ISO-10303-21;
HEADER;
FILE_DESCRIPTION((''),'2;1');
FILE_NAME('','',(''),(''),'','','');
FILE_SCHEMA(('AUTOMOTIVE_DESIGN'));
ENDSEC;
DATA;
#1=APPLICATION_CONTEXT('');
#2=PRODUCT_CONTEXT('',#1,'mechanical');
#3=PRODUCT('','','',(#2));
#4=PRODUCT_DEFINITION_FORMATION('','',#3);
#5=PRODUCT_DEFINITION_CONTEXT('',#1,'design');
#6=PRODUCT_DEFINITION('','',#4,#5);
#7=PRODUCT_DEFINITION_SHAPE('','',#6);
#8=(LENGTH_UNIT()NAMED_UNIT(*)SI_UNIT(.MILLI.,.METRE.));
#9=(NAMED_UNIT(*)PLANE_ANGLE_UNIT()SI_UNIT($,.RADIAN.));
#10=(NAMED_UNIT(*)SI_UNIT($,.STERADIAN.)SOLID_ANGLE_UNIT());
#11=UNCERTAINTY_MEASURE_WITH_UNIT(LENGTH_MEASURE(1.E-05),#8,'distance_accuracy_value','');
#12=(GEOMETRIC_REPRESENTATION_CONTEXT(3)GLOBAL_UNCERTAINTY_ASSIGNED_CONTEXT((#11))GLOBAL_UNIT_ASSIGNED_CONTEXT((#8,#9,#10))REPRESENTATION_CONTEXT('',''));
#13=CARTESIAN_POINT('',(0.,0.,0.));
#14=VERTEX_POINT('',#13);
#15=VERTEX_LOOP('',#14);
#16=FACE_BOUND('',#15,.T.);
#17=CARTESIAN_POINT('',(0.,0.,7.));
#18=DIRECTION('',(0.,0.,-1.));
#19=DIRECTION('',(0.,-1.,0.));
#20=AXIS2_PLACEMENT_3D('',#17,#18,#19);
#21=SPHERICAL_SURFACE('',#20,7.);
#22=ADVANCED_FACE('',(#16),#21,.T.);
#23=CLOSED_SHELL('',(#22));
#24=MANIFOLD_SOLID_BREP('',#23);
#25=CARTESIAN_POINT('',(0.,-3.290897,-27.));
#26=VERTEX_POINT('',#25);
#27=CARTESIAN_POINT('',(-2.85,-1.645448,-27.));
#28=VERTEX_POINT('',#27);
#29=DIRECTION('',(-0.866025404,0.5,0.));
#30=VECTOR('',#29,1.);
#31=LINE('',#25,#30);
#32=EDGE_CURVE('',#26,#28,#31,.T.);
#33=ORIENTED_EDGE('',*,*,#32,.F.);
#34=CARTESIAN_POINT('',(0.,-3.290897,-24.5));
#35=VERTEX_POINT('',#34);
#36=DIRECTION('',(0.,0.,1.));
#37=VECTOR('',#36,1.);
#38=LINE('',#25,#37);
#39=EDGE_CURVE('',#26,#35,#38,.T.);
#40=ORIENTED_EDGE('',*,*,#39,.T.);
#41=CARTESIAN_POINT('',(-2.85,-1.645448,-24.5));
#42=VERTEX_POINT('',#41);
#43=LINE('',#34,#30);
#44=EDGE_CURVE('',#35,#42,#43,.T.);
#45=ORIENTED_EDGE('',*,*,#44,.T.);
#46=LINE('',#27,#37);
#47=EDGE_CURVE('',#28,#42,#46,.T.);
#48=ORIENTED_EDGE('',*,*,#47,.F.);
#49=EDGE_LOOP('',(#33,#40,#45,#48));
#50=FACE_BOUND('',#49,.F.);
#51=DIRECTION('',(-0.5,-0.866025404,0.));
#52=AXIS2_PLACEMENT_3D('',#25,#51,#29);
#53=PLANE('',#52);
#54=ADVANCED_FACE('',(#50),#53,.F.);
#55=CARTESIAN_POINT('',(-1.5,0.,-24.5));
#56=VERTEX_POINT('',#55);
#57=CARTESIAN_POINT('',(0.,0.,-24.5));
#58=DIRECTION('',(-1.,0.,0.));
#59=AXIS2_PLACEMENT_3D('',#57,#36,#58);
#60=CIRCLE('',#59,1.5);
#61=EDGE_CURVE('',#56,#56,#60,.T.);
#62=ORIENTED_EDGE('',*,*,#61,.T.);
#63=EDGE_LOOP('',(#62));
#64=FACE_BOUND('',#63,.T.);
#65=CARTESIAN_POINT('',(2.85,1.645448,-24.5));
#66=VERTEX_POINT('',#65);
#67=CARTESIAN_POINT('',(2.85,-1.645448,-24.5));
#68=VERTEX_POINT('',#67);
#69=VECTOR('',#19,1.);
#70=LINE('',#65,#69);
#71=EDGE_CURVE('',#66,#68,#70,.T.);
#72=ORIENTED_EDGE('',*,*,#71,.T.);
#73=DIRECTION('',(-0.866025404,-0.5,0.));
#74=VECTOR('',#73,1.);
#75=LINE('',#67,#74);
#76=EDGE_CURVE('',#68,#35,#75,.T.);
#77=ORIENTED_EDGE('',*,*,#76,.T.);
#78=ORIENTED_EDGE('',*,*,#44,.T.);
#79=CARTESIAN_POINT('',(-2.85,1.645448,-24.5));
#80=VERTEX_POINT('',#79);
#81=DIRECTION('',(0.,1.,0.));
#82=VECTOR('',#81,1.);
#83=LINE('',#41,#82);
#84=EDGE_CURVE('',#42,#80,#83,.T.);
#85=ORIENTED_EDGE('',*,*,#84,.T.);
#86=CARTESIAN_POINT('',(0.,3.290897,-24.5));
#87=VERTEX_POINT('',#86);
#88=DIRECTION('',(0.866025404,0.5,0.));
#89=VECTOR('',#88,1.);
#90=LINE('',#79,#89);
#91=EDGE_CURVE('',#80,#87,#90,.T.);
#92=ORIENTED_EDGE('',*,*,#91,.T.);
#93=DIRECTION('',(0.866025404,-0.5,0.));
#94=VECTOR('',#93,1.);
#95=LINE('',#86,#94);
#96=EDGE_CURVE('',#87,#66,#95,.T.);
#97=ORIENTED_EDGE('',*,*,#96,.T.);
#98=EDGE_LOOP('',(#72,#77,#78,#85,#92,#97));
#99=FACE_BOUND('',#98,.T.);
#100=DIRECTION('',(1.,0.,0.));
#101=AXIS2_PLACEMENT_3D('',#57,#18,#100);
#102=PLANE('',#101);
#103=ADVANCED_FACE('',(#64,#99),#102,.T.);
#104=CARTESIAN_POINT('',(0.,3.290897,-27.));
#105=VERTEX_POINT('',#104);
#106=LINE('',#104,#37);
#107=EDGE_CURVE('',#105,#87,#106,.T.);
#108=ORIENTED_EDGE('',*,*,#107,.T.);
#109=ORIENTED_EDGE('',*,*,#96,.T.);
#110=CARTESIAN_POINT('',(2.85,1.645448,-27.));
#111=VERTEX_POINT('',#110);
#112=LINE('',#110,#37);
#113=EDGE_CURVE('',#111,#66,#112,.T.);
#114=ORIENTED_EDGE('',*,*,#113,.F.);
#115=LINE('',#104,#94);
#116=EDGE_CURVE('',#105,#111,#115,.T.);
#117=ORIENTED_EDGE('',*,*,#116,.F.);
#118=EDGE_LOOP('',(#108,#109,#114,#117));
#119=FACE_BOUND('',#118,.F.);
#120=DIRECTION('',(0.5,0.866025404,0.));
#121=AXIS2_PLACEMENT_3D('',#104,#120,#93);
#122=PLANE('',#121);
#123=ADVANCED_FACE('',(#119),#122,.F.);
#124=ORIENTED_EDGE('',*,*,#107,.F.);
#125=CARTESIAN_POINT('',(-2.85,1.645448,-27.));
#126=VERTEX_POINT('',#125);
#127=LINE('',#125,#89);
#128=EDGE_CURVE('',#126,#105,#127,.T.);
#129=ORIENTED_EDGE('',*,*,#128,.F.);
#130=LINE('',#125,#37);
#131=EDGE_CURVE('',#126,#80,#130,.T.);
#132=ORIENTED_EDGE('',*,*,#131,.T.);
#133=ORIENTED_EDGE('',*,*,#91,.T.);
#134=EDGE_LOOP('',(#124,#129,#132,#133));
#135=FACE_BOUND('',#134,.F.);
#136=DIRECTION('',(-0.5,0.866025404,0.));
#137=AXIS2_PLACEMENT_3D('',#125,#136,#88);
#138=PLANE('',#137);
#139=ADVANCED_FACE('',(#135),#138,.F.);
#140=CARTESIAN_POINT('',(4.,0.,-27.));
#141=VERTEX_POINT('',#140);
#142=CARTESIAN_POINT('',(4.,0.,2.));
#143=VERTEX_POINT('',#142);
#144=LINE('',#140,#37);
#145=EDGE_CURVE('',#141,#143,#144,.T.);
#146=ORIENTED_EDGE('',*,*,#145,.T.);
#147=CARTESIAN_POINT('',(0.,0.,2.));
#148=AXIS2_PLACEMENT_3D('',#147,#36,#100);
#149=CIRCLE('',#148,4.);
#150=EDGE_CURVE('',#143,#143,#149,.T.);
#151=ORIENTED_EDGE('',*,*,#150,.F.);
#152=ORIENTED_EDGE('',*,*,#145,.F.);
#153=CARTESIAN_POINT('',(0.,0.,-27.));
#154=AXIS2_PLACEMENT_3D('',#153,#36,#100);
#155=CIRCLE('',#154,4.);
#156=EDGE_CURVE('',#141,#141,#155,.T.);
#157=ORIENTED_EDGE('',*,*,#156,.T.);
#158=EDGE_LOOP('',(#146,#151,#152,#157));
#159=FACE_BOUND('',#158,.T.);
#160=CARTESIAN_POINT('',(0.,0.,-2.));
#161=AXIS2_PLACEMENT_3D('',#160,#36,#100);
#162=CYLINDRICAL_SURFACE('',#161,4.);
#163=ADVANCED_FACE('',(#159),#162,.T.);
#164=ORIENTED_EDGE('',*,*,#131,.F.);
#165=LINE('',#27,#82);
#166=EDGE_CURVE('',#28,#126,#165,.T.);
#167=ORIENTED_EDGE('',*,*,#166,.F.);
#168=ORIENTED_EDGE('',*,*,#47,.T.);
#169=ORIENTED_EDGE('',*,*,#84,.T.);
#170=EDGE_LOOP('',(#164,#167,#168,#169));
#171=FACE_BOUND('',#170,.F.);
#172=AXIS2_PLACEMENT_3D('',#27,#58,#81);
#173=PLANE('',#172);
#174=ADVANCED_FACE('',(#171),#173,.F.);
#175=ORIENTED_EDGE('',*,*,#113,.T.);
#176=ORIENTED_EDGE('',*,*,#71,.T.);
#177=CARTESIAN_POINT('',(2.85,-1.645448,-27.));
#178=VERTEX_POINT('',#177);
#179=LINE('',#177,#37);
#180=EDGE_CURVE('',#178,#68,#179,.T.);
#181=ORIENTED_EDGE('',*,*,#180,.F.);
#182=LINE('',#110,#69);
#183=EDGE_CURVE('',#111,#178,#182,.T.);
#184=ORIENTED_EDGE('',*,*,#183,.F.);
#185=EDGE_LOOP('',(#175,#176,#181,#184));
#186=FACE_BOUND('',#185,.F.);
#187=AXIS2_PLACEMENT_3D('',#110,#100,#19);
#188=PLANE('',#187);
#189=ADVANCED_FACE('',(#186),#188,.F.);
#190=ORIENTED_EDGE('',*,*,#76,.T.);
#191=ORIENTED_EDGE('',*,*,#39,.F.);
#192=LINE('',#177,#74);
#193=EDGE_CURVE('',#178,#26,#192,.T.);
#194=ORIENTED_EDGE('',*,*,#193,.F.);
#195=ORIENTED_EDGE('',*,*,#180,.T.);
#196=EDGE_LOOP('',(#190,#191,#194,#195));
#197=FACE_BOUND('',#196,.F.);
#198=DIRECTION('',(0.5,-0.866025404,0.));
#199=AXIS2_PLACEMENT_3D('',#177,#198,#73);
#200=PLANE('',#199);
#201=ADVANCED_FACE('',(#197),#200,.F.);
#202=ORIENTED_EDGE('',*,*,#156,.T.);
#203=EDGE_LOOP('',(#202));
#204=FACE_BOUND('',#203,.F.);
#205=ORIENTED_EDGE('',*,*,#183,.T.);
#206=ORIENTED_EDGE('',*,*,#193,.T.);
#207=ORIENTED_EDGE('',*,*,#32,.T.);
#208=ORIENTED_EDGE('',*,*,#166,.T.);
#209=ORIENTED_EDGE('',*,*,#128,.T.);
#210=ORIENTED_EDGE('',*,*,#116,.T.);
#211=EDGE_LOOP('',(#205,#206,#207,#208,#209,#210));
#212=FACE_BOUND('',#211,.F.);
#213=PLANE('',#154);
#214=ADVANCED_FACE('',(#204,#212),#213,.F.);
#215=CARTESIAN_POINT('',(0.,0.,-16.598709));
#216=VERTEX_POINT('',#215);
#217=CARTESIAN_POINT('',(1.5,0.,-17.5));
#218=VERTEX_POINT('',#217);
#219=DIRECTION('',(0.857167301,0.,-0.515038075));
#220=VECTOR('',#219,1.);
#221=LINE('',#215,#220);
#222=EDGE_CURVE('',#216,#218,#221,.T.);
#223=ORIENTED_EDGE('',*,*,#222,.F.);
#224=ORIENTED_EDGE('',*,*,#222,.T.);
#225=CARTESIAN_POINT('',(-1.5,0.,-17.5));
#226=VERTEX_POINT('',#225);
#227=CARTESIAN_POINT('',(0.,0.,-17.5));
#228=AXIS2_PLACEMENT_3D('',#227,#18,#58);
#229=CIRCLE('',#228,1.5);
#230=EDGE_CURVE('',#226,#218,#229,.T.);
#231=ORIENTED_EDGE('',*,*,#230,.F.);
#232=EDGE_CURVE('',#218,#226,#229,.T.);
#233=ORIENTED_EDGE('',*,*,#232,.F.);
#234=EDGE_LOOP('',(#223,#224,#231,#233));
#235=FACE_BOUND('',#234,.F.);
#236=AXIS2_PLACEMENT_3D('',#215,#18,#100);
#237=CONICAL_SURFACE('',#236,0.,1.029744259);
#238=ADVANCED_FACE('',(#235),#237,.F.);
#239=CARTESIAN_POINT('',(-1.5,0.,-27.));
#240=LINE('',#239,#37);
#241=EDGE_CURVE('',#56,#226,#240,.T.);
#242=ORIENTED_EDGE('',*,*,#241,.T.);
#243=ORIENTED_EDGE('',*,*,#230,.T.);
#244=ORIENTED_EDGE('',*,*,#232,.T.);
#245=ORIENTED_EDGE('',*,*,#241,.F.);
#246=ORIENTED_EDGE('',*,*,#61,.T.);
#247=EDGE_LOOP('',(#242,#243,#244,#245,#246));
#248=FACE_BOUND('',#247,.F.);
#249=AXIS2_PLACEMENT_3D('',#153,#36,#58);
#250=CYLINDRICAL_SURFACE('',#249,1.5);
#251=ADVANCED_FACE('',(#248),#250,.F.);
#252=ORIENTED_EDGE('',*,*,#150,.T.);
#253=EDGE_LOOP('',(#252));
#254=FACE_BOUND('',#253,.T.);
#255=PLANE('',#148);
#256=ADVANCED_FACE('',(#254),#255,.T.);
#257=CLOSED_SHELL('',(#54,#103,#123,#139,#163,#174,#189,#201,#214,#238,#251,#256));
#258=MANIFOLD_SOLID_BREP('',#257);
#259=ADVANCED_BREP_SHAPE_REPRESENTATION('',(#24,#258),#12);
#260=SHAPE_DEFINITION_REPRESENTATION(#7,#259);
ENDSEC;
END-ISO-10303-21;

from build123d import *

# Parameters (mm, degrees)
F0_R           = 4
F1_DEPTH       = 2
F4_DEPTH       = 25
F6_D           = 3
F6_DEPTH       = 9.5
F6_CBORE_D     = 3
F6_CBORE_DEPTH = 9.5
F6_TIP         = 0.9012909285
F8_DEPTH       = 2.5


with BuildPart() as f1:
    # F0 (on Top) → F1 (new body, symmetric)
    with BuildSketch(Plane.XY):
        Circle(F0_R)
    extrude(amount=F1_DEPTH, both=True)

    # F4 (add): a face of the model
    f4_faces = [f1.faces().sort_by_distance(p)[0] for p in [
        (0, 0, -2),
    ]]
    extrude(f4_faces, amount=F4_DEPTH)

    # F6
    with Locations(Plane(origin=(0, 0, -27), x_dir=(1, 0, 0), z_dir=(0, 0, -1))):
        with Locations((0, 0)):
            CounterBoreHole(F6_D / 2, F6_CBORE_D / 2, F6_CBORE_DEPTH, depth=F6_DEPTH)
            with Locations((0, 0, -(F6_DEPTH + F6_TIP / 2))):  # 118° drill point
                Cone(0, F6_D / 2, F6_TIP, mode=Mode.SUBTRACT)

    # F7 (on face) → F8 (cut)
    with BuildSketch(Plane(origin=(0, 0, -27), x_dir=(1, 0, 0), z_dir=(0, 0, -1))):
        Polygon((2.85, -1.6454482672), (2.85, 1.6454482672), (0, 3.2908965344), (-2.85, 1.6454482672), (-2.85, -1.6454482672), (0, -3.2908965344), align=None)
    extrude(amount=-F8_DEPTH, mode=Mode.SUBTRACT)


with BuildPart() as f3:
    # F2 (on Right) → F3 (revolve)
    with BuildSketch(Plane.YZ):
        with BuildLine():
            Line((0, 0), (0, 14))
            ThreePointArc((0, 14), (-7, 7), (0, 0))
        make_face()
    revolve(axis=Axis((0, 0, 7.2875723417), (0, 0, -1)))


solid = Compound([f1.part, f3.part])
